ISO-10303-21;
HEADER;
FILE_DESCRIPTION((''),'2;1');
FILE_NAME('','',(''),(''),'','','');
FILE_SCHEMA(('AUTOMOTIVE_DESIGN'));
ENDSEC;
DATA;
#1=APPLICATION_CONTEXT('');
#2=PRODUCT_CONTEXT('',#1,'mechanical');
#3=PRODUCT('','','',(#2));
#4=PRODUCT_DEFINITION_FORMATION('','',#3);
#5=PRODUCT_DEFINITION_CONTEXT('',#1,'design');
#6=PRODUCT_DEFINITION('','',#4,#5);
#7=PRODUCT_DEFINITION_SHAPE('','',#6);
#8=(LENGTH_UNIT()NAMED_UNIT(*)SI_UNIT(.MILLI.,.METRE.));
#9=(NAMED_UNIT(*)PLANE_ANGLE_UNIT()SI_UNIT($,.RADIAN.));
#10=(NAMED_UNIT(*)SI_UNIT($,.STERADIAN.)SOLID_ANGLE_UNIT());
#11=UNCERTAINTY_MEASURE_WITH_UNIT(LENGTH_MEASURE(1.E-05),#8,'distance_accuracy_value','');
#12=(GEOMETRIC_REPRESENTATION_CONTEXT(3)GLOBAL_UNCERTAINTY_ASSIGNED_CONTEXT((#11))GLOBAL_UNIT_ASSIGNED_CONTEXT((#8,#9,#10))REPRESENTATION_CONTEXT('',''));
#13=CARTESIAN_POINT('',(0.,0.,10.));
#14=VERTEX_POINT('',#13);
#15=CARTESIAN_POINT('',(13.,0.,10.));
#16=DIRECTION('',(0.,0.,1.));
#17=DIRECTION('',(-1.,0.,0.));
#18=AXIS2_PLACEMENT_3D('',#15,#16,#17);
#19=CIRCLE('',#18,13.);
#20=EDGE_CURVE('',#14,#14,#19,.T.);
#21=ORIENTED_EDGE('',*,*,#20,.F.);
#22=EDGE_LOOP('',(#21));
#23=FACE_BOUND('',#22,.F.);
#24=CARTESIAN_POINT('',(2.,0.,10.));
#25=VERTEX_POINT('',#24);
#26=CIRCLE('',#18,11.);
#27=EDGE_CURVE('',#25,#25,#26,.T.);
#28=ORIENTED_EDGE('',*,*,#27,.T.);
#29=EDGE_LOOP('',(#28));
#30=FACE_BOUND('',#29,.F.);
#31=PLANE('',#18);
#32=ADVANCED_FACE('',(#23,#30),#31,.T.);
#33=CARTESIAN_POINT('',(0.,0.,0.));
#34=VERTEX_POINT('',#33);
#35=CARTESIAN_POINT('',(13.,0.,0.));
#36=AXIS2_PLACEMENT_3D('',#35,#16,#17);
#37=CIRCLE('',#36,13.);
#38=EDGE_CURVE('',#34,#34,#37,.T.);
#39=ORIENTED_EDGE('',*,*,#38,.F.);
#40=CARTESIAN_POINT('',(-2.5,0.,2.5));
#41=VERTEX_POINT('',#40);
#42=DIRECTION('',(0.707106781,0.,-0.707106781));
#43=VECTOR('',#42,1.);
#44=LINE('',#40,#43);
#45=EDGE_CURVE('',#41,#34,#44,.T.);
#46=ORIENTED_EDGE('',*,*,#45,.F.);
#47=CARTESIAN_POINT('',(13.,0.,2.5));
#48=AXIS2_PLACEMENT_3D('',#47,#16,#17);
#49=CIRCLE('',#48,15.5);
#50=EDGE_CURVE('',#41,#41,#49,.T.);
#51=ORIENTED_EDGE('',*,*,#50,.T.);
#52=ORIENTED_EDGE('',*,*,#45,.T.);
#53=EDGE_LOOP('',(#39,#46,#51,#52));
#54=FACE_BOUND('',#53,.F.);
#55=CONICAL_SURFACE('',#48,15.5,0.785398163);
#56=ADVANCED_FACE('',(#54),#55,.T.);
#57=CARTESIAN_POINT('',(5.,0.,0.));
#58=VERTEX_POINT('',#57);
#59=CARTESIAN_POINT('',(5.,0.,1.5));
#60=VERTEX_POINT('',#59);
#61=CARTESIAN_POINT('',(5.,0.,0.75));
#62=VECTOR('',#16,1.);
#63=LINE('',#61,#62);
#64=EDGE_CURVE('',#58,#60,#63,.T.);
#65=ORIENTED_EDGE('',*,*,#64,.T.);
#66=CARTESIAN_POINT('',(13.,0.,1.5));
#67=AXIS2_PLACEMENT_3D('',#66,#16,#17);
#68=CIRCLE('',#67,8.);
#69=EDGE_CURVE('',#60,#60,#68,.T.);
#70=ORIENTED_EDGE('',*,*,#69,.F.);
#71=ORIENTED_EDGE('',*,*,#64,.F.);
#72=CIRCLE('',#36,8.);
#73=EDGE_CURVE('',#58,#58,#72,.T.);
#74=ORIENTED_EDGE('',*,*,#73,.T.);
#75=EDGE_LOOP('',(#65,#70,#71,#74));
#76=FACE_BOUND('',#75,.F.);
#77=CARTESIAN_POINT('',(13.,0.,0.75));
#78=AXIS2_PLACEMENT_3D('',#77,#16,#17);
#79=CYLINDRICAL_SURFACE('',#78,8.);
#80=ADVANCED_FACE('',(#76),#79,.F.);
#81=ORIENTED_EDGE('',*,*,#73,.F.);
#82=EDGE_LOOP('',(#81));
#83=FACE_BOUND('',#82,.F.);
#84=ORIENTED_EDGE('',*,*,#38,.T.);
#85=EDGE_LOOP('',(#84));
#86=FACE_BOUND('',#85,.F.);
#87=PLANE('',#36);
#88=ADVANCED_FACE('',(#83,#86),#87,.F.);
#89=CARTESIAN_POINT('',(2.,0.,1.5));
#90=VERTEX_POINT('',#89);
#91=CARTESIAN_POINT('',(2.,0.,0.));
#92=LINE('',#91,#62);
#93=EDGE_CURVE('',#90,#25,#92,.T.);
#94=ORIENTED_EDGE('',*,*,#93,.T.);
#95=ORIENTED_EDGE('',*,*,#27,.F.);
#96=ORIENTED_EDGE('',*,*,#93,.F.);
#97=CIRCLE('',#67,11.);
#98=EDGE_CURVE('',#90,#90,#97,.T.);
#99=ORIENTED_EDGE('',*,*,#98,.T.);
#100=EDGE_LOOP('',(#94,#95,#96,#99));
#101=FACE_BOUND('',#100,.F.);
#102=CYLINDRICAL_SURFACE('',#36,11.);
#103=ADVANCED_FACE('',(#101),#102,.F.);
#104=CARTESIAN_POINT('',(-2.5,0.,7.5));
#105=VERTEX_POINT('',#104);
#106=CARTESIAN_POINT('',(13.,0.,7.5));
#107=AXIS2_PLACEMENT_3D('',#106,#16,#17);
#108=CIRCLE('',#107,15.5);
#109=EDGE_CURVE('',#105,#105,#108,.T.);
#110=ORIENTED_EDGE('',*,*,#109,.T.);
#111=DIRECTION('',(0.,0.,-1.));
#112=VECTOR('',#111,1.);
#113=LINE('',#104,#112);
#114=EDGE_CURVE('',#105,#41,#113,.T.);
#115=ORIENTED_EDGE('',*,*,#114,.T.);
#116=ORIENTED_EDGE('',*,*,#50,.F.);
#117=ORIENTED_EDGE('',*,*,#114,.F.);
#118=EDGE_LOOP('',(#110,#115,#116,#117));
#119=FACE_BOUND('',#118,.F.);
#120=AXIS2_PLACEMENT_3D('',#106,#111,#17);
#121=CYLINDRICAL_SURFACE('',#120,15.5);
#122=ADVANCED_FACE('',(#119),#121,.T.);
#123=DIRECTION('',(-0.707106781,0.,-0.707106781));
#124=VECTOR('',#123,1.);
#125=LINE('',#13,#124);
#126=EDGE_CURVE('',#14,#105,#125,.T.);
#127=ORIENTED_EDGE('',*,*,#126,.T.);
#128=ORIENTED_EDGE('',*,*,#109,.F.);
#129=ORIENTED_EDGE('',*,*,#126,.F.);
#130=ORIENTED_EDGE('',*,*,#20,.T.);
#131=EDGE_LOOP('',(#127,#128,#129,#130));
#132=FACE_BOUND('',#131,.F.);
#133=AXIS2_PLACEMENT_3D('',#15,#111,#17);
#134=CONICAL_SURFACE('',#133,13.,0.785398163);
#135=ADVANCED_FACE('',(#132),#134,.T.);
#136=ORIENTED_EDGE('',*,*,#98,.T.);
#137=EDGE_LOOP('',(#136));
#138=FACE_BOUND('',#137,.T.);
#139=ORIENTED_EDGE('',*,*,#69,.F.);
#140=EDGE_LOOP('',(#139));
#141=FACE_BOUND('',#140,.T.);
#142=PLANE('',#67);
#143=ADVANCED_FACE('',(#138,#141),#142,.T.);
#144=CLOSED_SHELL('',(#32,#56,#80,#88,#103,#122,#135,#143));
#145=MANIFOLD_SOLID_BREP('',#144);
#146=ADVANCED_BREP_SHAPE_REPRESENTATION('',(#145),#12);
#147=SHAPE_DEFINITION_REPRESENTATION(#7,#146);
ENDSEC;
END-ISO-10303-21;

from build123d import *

# Parameters (mm, degrees)
F0_W = 3
F0_H = 1.5


with BuildPart() as f1:
    # F0 (on Front) → F1 (revolve)
    with BuildSketch(Plane.XZ):
        Polygon((-2.5, 2.5), (0, 0), (0, 10), (-2.5, 7.5), align=None)
        Polygon((0, 10), (0, 0), (2, 0), (2, 1.5), (2, 10), align=None)
        with Locations((3.5, 0.75)):
            Rectangle(F0_W, F0_H)
    revolve(axis=Axis((13, 0, 5), (0, 0, 1)))


solid = f1.part
